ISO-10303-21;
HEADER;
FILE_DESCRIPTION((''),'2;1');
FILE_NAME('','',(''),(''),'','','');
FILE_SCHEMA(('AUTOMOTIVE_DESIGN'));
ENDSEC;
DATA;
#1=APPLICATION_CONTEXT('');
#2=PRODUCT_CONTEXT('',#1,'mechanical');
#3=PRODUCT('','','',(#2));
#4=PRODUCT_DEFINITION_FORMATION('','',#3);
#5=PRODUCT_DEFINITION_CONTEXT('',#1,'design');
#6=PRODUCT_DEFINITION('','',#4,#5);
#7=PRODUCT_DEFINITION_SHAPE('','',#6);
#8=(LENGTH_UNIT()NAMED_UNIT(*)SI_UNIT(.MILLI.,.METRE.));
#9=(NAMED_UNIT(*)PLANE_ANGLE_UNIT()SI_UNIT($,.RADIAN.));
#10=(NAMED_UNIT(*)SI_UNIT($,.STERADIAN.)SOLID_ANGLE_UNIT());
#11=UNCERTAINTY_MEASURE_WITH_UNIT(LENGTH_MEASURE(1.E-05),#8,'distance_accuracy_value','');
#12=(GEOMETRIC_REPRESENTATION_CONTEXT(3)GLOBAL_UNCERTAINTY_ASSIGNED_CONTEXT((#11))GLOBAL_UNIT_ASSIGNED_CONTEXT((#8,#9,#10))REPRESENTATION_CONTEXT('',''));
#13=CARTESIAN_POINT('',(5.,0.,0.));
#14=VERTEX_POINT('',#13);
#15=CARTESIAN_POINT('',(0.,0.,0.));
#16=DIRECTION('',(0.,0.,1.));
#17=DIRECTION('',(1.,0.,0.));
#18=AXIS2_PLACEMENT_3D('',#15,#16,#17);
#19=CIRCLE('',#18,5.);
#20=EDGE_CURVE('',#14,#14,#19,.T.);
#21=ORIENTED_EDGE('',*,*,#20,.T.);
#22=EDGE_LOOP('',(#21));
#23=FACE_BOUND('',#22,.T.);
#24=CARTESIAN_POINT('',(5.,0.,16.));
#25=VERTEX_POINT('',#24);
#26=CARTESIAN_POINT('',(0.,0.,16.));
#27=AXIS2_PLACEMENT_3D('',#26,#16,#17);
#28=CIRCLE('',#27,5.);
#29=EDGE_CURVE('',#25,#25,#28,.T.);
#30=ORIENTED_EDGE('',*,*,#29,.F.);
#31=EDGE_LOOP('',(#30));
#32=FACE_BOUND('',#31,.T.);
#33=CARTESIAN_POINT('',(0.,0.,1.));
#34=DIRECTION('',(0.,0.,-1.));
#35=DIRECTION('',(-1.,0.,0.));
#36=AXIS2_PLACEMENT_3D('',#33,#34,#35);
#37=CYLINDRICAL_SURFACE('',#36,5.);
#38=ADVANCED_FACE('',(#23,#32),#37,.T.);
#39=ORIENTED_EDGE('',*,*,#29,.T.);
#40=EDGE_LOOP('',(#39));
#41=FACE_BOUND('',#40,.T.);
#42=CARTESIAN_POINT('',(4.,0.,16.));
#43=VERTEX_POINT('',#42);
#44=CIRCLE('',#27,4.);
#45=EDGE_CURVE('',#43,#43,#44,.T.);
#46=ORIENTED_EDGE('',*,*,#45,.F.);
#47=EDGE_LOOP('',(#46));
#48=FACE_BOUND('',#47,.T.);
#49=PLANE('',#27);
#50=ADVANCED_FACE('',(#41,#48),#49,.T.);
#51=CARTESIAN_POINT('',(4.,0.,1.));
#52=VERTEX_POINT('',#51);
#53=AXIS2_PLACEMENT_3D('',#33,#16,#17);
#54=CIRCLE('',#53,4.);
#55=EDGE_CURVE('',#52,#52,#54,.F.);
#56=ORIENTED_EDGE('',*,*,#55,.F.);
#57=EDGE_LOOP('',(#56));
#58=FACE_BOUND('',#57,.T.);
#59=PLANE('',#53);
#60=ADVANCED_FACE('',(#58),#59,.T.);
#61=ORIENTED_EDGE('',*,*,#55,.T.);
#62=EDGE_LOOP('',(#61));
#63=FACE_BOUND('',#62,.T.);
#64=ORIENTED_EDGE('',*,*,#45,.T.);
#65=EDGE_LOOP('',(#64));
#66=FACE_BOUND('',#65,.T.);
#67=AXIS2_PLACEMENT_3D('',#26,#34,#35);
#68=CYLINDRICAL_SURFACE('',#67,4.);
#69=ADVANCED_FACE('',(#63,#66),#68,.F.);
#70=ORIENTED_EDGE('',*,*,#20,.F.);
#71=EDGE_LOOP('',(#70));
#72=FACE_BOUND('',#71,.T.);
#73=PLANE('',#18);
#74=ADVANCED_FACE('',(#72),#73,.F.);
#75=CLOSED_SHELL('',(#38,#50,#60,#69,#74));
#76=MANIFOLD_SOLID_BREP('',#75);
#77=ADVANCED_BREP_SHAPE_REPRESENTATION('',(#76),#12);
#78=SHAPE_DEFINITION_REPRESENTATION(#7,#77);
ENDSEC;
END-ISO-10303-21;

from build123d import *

# Parameters (mm, degrees)
SKETCH1_R           = 5
BOSS_EXTRUDE1_DEPTH = 1
SKETCH2_R           = 5
SKETCH2_R_2         = 4
BOSS_EXTRUDE3_DEPTH = 15


with BuildPart() as part:
    # Sketch1 → Boss-Extrude1 (new body)
    with BuildSketch(Plane.XY):
        Circle(SKETCH1_R)
    extrude(amount=BOSS_EXTRUDE1_DEPTH)

    # Sketch2 → Boss-Extrude3 (add)
    with BuildSketch(Plane.XY.offset(1)):
        Circle(SKETCH2_R)
        Circle(SKETCH2_R_2, mode=Mode.SUBTRACT)
    extrude(amount=BOSS_EXTRUDE3_DEPTH)


solid = part.part
